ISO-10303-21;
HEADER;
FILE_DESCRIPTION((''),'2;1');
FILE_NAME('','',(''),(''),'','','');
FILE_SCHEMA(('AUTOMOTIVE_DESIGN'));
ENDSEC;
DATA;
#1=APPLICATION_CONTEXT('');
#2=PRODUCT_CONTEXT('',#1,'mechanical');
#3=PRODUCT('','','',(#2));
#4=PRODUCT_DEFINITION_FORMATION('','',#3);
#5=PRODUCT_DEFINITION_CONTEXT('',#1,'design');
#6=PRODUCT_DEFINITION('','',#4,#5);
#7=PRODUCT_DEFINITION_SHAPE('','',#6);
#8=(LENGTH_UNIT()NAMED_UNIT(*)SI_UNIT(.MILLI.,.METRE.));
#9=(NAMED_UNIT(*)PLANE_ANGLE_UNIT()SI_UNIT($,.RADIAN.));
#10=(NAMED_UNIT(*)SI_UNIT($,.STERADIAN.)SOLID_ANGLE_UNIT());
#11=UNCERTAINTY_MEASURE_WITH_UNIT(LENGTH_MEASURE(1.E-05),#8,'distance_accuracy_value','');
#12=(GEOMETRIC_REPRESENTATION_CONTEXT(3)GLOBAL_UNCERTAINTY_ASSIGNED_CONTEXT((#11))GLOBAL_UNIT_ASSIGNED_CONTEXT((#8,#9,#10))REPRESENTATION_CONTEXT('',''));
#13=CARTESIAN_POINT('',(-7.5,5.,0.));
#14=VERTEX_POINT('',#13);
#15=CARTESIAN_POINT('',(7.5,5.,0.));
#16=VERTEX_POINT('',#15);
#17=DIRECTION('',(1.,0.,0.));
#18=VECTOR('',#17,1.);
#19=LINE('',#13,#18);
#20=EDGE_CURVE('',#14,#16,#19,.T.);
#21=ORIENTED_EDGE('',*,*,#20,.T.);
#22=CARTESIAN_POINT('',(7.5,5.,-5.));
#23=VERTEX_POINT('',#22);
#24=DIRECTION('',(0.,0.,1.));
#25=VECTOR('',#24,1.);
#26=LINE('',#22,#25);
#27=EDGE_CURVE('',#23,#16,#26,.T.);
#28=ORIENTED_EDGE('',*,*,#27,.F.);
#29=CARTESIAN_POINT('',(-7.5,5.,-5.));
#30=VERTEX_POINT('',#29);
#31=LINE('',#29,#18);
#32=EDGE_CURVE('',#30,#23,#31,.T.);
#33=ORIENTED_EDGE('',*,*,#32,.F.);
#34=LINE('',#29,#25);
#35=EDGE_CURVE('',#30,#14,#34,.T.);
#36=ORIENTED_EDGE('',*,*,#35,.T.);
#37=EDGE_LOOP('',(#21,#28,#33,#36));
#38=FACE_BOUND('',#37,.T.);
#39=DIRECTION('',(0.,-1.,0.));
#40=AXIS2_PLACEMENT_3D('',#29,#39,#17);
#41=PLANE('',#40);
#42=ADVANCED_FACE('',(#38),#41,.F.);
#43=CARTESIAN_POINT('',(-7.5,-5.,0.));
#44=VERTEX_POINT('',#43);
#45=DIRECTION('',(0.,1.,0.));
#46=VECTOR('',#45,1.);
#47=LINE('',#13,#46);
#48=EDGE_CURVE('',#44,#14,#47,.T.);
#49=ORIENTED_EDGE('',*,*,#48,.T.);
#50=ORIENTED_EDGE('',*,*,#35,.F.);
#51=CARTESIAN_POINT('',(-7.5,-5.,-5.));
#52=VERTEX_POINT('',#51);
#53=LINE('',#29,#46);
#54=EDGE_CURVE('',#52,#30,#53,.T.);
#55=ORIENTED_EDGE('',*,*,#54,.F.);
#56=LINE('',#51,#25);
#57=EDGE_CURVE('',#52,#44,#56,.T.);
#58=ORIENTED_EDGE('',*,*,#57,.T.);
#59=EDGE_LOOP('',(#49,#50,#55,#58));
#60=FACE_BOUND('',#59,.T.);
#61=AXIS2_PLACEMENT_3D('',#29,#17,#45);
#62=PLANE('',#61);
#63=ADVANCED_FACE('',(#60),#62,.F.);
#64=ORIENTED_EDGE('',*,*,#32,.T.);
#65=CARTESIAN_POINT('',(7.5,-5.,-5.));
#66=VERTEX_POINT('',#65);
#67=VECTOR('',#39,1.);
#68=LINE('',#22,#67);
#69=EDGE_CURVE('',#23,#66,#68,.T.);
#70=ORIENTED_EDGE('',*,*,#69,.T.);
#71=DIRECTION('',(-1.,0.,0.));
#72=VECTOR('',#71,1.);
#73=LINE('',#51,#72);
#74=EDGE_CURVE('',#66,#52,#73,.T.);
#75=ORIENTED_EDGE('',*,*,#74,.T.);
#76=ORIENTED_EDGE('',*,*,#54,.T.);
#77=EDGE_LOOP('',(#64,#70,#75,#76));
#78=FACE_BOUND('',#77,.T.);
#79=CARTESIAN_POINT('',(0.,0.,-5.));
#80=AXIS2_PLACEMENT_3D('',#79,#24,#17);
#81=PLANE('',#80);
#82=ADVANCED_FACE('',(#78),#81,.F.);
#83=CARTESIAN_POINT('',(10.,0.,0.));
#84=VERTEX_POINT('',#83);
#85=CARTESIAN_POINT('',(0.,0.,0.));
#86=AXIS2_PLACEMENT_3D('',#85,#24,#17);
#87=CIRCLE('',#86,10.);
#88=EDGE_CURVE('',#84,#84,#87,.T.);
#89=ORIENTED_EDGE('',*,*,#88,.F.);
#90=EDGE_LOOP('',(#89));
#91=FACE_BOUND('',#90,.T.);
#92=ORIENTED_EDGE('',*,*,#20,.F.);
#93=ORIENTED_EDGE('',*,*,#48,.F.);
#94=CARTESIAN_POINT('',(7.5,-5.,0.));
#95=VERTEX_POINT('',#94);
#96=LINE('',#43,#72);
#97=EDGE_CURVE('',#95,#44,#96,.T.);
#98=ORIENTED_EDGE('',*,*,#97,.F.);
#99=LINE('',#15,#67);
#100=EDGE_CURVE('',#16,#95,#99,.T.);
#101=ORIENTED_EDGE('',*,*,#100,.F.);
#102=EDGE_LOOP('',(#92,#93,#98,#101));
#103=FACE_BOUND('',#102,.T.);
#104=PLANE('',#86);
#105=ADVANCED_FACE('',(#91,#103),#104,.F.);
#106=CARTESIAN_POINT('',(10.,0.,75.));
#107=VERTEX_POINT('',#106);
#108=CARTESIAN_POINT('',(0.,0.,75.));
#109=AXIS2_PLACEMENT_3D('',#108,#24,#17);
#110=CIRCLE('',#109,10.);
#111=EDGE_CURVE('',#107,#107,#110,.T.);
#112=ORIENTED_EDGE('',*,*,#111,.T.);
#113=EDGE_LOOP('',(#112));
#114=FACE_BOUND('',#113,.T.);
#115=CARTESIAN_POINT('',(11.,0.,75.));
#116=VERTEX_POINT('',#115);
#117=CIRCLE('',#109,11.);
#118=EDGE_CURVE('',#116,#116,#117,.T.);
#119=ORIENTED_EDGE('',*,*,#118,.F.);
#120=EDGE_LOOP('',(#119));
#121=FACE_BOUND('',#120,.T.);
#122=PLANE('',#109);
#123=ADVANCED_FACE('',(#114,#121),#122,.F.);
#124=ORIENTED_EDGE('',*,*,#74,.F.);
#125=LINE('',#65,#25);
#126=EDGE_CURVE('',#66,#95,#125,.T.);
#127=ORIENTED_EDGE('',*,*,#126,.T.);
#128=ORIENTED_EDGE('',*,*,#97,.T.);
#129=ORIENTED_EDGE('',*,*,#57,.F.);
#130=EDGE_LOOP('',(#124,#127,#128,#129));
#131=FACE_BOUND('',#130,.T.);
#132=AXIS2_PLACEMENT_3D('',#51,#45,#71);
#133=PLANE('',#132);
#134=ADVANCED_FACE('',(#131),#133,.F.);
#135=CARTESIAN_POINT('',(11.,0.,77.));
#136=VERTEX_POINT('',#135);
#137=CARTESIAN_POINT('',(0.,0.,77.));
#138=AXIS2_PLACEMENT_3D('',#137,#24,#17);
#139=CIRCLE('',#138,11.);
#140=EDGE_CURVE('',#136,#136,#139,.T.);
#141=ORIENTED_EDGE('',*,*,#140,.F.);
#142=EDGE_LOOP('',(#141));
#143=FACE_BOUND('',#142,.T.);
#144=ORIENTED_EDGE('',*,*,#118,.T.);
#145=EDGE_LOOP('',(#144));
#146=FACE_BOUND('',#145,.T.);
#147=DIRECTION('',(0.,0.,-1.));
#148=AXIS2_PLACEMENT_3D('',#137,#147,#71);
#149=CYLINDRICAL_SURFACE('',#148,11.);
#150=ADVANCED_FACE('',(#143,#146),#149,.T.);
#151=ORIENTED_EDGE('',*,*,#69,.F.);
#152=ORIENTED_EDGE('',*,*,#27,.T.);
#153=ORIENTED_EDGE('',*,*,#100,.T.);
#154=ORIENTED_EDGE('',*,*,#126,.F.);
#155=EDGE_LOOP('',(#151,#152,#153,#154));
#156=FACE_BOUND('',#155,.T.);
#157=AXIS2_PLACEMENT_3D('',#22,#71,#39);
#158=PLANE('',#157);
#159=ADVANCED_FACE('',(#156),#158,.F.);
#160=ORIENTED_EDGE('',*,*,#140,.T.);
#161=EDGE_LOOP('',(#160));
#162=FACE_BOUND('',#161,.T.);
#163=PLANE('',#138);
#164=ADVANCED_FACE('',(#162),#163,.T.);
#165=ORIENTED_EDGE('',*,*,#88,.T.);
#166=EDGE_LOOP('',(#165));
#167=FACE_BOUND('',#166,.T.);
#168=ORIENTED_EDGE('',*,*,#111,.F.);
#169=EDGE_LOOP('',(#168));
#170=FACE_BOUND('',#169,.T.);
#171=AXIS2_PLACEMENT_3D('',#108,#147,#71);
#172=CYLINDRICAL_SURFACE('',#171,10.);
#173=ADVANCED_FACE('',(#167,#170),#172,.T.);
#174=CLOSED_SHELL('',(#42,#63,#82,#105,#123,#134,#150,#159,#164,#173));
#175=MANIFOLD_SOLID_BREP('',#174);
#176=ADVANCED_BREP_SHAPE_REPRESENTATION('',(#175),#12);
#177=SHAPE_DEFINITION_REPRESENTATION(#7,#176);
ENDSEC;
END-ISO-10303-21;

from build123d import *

# Parameters (mm, degrees)
CROQUIS1_R              = 10
SALIENTE_EXTRUIR1_DEPTH = 75
CROQUIS2_R              = 11
SALIENTE_EXTRUIR2_DEPTH = 2
CROQUIS3_W              = 15
CROQUIS3_H              = 10
SALIENTE_EXTRUIR3_DEPTH = 5


with BuildPart() as part:
    # Croquis1 → Saliente-Extruir1 (new body)
    with BuildSketch(Plane.XY):
        Circle(CROQUIS1_R)
    extrude(amount=SALIENTE_EXTRUIR1_DEPTH)

    # Croquis2 → Saliente-Extruir2 (add)
    with BuildSketch(Plane.XY.offset(75)):
        Circle(CROQUIS2_R)
    extrude(amount=SALIENTE_EXTRUIR2_DEPTH)

    # Croquis3 → Saliente-Extruir3 (add)
    with BuildSketch(Plane(origin=(0, 0, 0), x_dir=(-1, 0, 0), z_dir=(0, 0, -1))):
        Rectangle(CROQUIS3_W, CROQUIS3_H)
    extrude(amount=SALIENTE_EXTRUIR3_DEPTH)


solid = part.part
